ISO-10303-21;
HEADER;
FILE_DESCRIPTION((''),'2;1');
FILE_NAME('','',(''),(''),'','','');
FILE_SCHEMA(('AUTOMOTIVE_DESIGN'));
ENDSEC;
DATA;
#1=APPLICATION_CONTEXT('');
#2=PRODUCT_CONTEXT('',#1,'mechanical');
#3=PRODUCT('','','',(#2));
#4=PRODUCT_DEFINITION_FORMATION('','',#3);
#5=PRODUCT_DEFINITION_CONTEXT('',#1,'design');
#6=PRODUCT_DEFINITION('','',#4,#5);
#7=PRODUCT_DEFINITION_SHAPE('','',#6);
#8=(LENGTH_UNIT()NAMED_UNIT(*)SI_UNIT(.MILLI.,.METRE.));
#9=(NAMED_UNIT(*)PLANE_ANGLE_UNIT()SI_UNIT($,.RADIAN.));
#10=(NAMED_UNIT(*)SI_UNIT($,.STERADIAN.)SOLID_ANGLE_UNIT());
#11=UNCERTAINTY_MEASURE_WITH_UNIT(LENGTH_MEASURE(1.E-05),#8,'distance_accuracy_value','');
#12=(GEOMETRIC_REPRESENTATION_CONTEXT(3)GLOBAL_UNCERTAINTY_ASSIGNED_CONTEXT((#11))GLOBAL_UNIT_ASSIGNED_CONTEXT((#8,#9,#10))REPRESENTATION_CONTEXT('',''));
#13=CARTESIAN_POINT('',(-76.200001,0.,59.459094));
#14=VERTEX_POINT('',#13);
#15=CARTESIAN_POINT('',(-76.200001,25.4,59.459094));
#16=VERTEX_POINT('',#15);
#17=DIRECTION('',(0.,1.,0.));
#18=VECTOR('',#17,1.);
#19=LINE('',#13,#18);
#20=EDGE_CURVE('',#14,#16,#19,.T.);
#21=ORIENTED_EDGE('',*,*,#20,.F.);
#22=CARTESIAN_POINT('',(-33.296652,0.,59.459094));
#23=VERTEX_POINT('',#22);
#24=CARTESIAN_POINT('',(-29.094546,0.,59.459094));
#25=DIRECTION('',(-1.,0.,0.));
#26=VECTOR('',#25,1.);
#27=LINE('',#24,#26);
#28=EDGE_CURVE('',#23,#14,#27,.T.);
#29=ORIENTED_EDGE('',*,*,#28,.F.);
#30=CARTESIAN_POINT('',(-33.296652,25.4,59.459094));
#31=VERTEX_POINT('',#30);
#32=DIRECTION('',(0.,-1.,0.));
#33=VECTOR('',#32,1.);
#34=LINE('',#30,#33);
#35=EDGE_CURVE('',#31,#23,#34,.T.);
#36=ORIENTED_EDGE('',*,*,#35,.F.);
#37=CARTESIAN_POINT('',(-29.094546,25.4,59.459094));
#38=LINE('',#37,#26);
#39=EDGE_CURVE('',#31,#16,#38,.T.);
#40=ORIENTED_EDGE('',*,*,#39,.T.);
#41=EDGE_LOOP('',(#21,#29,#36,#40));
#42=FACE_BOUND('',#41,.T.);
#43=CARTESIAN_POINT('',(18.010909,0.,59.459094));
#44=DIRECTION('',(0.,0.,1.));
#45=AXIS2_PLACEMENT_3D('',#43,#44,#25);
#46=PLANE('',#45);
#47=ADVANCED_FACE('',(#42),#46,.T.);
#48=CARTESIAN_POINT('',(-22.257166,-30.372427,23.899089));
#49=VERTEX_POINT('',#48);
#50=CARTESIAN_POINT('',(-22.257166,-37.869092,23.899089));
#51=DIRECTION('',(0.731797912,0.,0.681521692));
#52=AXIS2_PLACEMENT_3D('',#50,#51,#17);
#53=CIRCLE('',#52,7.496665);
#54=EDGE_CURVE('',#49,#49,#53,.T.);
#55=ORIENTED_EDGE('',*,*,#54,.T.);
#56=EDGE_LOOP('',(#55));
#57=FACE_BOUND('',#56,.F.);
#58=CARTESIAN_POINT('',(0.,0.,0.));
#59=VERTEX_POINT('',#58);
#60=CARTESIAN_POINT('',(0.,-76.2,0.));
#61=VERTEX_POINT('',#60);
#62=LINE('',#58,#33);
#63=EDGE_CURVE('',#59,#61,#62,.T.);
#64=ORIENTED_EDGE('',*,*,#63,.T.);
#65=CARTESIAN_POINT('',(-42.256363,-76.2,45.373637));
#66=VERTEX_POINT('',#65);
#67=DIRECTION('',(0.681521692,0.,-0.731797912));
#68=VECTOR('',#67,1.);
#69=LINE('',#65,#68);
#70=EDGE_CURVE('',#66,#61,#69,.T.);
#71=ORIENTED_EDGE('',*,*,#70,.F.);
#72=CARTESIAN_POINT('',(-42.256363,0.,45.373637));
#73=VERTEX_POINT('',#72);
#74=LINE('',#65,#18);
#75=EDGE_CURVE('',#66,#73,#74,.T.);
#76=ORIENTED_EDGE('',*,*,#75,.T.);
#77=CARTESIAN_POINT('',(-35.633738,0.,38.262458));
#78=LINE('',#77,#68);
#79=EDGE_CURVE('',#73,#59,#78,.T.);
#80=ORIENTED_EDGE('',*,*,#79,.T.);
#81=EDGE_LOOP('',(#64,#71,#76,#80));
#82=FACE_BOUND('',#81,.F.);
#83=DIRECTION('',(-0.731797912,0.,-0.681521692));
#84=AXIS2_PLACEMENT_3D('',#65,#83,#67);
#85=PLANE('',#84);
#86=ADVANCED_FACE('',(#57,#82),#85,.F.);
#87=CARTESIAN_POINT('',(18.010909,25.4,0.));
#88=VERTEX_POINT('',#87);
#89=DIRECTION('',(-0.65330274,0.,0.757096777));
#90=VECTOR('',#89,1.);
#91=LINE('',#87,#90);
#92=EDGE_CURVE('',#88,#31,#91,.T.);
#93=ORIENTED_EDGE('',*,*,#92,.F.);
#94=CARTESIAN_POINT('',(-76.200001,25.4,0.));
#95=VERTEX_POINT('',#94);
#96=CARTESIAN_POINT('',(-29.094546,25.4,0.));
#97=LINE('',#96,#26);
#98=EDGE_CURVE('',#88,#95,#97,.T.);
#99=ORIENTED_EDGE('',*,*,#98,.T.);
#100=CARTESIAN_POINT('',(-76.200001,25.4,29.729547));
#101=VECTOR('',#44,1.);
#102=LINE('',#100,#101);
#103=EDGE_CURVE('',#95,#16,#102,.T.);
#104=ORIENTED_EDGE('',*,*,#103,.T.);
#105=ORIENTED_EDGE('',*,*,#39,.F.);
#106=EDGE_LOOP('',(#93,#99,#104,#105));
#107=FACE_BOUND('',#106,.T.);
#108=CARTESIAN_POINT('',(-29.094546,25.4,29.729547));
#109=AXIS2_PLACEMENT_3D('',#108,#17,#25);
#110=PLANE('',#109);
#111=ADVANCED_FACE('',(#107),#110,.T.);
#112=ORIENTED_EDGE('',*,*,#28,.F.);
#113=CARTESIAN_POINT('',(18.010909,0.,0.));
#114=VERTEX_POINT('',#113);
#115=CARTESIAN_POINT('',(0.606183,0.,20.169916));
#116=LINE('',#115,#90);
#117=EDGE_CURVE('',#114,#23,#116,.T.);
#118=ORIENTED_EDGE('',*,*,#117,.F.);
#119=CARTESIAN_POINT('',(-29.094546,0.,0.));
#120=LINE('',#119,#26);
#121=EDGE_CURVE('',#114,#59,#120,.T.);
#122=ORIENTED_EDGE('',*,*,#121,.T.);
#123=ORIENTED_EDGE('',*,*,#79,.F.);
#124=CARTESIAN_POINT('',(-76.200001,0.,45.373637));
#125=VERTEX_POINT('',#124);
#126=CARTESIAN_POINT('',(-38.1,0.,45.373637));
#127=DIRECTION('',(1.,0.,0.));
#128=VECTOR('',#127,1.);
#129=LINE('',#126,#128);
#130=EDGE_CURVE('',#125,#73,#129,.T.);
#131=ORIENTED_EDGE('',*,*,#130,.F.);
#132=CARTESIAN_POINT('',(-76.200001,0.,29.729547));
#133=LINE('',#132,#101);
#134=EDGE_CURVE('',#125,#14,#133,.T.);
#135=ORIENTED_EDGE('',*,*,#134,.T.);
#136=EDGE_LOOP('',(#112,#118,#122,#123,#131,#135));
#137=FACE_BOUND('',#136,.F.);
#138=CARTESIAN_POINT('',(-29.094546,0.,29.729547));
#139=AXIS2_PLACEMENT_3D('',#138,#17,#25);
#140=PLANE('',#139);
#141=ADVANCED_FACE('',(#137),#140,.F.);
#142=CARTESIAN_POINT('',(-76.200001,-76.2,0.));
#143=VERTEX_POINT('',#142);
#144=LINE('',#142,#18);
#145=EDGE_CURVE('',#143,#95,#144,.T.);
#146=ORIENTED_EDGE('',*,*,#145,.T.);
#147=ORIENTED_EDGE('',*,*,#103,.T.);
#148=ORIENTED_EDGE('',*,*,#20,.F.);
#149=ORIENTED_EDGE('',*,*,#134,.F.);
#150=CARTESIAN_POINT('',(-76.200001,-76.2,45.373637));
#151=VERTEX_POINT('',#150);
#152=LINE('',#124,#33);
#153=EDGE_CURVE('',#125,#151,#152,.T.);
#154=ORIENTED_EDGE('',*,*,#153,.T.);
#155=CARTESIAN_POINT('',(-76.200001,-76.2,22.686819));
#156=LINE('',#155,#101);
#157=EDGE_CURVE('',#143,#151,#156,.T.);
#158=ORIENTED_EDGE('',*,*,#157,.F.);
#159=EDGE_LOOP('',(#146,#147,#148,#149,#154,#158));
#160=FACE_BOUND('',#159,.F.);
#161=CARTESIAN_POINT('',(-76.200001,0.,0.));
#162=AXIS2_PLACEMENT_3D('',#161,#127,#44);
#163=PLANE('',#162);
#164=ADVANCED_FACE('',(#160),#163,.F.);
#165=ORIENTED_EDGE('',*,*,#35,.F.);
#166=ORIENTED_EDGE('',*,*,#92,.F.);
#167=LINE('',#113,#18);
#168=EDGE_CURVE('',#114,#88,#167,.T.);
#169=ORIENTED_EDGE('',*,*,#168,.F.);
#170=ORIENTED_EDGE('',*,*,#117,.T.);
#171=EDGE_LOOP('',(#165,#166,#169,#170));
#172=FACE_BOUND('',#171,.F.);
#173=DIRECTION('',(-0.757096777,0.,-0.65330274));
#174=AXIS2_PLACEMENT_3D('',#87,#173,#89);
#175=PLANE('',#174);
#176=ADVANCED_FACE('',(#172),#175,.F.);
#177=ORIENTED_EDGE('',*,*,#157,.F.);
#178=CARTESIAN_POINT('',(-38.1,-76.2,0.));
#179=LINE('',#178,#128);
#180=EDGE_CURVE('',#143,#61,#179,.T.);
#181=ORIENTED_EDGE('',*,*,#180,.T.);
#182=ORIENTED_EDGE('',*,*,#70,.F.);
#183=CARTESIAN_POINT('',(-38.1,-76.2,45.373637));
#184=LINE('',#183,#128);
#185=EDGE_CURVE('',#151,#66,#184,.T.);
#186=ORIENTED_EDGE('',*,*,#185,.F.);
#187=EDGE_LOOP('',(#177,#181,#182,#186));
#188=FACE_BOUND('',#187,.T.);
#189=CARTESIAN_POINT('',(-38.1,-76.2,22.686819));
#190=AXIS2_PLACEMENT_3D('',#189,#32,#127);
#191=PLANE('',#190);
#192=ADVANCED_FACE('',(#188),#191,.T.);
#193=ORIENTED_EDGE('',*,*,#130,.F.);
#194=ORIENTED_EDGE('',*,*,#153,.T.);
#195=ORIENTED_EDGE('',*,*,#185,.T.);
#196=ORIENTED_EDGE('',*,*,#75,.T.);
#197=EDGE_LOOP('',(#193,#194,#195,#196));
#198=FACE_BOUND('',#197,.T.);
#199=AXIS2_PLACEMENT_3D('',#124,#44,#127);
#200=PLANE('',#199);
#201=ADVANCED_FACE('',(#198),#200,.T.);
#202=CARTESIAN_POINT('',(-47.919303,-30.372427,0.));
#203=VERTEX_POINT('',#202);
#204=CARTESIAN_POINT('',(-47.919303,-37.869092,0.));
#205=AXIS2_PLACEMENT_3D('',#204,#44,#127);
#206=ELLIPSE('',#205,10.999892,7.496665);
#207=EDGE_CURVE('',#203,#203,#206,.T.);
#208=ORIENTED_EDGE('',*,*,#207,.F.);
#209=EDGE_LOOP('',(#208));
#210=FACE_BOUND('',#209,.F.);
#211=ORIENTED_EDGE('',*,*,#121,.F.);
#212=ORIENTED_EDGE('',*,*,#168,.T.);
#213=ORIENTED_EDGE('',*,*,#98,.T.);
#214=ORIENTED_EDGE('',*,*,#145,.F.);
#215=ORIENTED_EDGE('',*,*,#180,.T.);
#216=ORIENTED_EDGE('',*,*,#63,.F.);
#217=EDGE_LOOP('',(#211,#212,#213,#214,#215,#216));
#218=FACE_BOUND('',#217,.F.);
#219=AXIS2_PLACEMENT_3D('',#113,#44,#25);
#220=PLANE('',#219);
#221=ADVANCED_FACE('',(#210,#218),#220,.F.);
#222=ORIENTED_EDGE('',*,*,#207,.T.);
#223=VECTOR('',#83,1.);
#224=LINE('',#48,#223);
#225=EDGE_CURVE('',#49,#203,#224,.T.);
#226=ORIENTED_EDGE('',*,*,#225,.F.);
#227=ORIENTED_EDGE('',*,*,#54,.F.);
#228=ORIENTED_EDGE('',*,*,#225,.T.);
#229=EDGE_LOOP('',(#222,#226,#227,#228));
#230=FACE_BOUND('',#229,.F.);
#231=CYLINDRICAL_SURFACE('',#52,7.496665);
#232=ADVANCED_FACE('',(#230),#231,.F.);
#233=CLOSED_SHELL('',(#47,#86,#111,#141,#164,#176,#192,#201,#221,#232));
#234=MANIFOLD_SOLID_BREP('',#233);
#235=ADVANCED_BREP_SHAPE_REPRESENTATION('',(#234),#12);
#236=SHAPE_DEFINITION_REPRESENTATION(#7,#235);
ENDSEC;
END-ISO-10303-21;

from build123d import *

# Parameters (mm, degrees)
F0_W     = 76.2000009418
F0_H     = 45.3736372292
F1_DEPTH = 76.2
F3_DEPTH = 76.201
F4_R     = 7.496665322
F5_DEPTH = 55.7640015627
F6_W     = 94.2109096795
F6_H     = 59.4590939581
F7_DEPTH = 25.4
F9_DEPTH = 101.601


with BuildPart() as f1:
    # F0 (on Front) → F1 (new body)
    with BuildSketch(Plane.XZ):
        with Locations((-38.1000004709, 22.6868186146)):
            Rectangle(F0_W, F0_H)
    extrude(amount=F1_DEPTH)

    # F2 (on face) → F3 (cut, through all)
    with BuildSketch(Plane.XZ.offset(76.2)):
        Polygon((0, 45.3736372292), (-42.2563627362, 45.3736372292), (0, 0), align=None)
    extrude(amount=-F3_DEPTH, mode=Mode.SUBTRACT)

    # F4 (on face) → F5 (cut, through all)
    with BuildSketch(Plane(origin=(0, 0, 0), x_dir=(0, 1, 0), z_dir=(0.7317979117, 0, 0.6815216918))):
        with Locations((-37.869092077, 32.6580442488)):
            Circle(F4_R)
    extrude(amount=-F5_DEPTH, mode=Mode.SUBTRACT)

    # F6 (on face) → F7 (join)
    with BuildSketch(Plane(origin=(0, 0, 0), x_dir=(-1, 0, 0), z_dir=(0, 1, 0))):
        with Locations((29.094546102, 29.7295469791)):
            Rectangle(F6_W, F6_H)
    extrude(amount=F7_DEPTH)

    # F8 (on face) → F9 (cut, through all)
    with BuildSketch(Plane(origin=(0, 25.4, 0), x_dir=(-1, 0, 0), z_dir=(0, 1, 0))):
        Polygon((-18.0109087378, 59.4590939581), (-18.0109087378, 0), (33.2966521382, 59.4590939581), align=None)
    extrude(amount=-F9_DEPTH, mode=Mode.SUBTRACT)


solid = f1.part
